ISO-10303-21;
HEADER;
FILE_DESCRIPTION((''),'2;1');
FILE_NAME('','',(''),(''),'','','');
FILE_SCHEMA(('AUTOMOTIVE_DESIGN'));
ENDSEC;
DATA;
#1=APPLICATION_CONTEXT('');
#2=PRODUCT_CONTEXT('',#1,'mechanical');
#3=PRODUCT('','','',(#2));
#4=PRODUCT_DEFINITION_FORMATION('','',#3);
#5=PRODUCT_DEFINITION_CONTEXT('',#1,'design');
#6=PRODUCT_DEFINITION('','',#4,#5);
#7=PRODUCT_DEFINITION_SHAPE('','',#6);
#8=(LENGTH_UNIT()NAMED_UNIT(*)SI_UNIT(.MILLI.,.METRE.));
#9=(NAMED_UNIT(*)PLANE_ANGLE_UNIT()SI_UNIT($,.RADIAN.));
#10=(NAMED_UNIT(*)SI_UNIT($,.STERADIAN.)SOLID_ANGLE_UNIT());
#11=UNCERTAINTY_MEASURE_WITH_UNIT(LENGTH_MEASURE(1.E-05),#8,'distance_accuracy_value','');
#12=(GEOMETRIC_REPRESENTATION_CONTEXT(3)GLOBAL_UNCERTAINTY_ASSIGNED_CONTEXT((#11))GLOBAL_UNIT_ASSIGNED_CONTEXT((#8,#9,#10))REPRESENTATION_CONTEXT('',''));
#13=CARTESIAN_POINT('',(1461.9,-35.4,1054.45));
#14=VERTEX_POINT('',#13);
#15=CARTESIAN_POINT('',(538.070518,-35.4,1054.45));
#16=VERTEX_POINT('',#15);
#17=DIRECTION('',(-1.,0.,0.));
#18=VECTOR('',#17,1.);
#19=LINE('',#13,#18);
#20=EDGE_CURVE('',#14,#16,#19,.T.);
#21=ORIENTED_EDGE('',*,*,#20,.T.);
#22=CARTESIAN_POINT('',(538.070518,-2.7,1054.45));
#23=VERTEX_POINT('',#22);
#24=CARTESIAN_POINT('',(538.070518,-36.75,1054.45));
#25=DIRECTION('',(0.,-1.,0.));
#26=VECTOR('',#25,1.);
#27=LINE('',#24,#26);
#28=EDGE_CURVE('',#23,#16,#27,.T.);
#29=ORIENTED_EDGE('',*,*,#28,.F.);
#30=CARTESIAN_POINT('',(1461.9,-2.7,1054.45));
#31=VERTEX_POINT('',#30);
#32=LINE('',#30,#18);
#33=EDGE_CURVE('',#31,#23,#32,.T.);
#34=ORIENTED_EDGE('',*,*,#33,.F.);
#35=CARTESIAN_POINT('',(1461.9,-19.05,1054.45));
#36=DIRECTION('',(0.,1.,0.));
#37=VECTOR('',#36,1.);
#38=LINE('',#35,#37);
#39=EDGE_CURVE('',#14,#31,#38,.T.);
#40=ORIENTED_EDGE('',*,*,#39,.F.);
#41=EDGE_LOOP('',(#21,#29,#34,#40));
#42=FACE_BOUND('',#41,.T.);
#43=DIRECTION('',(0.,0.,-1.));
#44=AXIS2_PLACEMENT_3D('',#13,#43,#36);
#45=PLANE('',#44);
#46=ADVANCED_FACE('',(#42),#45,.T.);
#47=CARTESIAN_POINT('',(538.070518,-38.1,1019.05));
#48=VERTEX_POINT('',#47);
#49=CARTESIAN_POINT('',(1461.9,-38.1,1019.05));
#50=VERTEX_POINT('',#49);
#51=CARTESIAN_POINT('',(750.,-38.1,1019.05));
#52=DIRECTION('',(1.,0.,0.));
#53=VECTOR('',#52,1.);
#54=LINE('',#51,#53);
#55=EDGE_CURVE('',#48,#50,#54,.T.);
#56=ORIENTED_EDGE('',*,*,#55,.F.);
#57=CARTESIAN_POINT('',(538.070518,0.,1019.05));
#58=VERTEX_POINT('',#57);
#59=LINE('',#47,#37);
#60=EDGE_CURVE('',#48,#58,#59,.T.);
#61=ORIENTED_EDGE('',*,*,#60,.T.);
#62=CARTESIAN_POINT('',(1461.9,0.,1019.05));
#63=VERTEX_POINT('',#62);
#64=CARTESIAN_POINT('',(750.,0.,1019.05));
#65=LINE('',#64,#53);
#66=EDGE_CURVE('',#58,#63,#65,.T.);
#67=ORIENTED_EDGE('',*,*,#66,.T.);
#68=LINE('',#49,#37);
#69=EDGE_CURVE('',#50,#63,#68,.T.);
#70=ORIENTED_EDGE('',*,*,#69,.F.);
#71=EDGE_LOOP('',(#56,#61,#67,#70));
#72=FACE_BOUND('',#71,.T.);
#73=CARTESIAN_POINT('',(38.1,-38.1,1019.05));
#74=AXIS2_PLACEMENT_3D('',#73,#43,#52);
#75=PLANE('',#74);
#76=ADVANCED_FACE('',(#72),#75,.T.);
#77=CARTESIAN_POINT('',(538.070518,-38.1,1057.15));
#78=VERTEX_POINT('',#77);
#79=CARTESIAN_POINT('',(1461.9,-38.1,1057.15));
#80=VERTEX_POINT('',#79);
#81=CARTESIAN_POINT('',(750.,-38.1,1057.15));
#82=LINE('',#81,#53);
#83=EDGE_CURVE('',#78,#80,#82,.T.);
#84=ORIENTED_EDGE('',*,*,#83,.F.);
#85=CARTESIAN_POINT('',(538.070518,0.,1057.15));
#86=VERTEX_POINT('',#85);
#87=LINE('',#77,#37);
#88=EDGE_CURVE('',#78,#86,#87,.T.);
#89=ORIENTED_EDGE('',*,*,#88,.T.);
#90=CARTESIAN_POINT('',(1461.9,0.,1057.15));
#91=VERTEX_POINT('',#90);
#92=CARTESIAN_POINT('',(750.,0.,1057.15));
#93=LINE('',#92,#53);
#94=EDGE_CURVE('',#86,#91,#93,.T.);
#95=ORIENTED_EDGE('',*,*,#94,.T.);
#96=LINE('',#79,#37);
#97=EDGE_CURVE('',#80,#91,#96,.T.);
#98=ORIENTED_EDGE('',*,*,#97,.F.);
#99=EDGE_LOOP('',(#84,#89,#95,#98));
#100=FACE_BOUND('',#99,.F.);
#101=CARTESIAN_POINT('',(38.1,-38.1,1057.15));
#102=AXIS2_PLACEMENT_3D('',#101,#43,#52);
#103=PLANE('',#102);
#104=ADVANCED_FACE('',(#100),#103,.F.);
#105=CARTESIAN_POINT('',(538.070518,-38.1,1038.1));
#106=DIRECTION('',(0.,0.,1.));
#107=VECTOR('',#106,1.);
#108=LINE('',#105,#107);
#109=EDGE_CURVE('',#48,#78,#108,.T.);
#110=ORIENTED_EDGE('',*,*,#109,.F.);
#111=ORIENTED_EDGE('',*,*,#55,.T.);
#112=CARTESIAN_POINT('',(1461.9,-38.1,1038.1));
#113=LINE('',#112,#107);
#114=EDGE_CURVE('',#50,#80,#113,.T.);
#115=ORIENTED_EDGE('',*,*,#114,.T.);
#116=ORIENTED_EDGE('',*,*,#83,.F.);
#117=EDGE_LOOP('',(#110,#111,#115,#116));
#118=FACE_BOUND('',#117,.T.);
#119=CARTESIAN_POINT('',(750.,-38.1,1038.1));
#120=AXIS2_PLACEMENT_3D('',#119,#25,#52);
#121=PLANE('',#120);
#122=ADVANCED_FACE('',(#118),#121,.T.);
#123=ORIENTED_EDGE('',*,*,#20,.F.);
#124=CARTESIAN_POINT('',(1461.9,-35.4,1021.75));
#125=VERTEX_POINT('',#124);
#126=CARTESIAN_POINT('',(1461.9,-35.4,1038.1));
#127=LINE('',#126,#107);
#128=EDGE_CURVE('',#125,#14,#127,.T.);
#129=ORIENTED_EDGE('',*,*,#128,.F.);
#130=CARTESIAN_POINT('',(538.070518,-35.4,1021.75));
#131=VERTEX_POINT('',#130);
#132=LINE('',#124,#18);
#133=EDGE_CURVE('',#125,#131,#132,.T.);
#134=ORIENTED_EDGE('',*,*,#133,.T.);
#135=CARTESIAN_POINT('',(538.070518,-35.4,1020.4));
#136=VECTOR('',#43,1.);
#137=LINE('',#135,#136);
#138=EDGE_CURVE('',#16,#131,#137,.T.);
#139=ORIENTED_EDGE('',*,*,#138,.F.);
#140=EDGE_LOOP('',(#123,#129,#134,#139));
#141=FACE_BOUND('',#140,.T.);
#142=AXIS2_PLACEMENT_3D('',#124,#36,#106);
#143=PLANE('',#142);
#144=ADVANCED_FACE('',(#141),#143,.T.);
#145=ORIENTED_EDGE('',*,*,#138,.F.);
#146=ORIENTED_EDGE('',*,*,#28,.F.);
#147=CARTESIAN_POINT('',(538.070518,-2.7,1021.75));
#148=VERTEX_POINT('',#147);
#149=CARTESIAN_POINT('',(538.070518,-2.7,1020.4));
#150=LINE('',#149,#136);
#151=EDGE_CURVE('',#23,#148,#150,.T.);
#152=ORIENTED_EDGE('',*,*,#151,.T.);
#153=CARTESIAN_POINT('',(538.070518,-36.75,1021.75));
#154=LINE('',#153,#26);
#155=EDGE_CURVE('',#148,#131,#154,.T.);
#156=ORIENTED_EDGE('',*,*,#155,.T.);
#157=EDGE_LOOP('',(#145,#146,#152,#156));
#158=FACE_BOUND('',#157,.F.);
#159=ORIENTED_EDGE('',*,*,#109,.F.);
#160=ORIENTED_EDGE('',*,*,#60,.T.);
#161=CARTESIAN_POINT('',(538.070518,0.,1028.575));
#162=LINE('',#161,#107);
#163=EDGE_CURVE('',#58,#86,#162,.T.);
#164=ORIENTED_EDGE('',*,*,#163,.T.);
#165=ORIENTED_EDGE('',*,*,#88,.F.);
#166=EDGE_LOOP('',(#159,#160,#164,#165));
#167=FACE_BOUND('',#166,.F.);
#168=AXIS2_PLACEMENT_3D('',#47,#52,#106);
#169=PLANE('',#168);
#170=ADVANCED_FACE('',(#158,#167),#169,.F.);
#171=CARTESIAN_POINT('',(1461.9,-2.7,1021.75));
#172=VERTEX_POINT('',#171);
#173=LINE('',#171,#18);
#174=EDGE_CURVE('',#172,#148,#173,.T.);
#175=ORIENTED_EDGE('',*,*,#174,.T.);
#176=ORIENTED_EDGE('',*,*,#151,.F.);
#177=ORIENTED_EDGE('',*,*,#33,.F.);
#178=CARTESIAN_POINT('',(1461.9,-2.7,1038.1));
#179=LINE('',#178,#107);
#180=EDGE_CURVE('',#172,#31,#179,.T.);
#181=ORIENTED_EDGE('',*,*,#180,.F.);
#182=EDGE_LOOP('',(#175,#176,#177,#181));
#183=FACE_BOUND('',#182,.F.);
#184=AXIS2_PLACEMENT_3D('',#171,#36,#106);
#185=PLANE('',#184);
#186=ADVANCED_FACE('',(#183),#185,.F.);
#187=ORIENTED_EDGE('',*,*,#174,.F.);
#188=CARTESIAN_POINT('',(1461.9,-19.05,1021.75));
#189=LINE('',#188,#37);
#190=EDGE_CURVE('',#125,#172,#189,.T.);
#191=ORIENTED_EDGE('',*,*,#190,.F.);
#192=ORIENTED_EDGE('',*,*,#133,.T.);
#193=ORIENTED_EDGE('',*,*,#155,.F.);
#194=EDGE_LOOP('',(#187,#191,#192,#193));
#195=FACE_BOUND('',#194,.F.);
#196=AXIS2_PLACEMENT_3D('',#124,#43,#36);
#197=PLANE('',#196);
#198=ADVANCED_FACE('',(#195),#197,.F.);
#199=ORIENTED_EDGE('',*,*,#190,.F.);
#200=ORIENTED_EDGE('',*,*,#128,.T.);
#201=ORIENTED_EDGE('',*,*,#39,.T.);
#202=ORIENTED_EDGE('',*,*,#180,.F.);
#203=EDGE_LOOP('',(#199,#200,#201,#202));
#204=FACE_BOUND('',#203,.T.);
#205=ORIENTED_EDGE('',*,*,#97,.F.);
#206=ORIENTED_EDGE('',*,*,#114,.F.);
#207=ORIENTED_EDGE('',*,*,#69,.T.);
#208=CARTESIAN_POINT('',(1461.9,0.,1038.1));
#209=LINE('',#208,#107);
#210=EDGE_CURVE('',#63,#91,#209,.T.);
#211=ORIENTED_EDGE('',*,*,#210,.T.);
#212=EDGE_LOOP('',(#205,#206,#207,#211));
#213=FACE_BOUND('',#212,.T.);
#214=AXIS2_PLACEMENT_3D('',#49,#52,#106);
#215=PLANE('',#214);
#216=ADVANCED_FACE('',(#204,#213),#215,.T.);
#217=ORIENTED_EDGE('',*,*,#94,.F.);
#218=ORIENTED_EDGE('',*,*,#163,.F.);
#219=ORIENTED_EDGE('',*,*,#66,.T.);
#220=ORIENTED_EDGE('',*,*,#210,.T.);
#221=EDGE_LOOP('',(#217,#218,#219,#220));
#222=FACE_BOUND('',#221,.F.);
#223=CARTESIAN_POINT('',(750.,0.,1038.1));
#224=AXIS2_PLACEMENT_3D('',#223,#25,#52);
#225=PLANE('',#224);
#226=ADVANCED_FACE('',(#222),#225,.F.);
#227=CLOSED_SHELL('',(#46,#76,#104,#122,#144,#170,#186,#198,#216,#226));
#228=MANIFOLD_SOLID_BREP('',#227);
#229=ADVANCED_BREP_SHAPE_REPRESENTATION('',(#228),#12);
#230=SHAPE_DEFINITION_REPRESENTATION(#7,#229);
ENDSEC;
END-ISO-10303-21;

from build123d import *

# Parameters (mm, degrees)
SKETCH035_W     = 1423.8
SKETCH035_H     = 38.1
PAD017_DEPTH    = 38.1
SKETCH036_W     = 32.7
SKETCH036_H     = 32.7
POCKET014_DEPTH = 1423.801
SKETCH037_W     = 499.970518
SKETCH037_H     = 38.1
POCKET015_DEPTH = 38.101


with BuildPart() as part:
    # Sketch035 (on Face1 of Binder010) → Pad017 (new body)
    with BuildSketch(Plane.XZ.offset(38.1)):
        with Locations((750, 1038.1)):
            Rectangle(SKETCH035_W, SKETCH035_H)
    extrude(amount=-PAD017_DEPTH)

    # Sketch036 (on Face1 of Pad017) → Pocket014 (cut, through all)
    with BuildSketch(Plane.YZ.offset(1461.9)):
        with Locations((-19.05, 1038.1)):
            Rectangle(SKETCH036_W, SKETCH036_H)
    extrude(amount=-POCKET014_DEPTH, mode=Mode.SUBTRACT)

    # Sketch037 (on Face3 of Pocket014) → Pocket015 (cut, through all)
    with BuildSketch(Plane.XZ.offset(38.1)):
        with Locations((288.085259, 1038.1)):
            Rectangle(SKETCH037_W, SKETCH037_H)
    extrude(amount=-POCKET015_DEPTH, mode=Mode.SUBTRACT)


solid = part.part
